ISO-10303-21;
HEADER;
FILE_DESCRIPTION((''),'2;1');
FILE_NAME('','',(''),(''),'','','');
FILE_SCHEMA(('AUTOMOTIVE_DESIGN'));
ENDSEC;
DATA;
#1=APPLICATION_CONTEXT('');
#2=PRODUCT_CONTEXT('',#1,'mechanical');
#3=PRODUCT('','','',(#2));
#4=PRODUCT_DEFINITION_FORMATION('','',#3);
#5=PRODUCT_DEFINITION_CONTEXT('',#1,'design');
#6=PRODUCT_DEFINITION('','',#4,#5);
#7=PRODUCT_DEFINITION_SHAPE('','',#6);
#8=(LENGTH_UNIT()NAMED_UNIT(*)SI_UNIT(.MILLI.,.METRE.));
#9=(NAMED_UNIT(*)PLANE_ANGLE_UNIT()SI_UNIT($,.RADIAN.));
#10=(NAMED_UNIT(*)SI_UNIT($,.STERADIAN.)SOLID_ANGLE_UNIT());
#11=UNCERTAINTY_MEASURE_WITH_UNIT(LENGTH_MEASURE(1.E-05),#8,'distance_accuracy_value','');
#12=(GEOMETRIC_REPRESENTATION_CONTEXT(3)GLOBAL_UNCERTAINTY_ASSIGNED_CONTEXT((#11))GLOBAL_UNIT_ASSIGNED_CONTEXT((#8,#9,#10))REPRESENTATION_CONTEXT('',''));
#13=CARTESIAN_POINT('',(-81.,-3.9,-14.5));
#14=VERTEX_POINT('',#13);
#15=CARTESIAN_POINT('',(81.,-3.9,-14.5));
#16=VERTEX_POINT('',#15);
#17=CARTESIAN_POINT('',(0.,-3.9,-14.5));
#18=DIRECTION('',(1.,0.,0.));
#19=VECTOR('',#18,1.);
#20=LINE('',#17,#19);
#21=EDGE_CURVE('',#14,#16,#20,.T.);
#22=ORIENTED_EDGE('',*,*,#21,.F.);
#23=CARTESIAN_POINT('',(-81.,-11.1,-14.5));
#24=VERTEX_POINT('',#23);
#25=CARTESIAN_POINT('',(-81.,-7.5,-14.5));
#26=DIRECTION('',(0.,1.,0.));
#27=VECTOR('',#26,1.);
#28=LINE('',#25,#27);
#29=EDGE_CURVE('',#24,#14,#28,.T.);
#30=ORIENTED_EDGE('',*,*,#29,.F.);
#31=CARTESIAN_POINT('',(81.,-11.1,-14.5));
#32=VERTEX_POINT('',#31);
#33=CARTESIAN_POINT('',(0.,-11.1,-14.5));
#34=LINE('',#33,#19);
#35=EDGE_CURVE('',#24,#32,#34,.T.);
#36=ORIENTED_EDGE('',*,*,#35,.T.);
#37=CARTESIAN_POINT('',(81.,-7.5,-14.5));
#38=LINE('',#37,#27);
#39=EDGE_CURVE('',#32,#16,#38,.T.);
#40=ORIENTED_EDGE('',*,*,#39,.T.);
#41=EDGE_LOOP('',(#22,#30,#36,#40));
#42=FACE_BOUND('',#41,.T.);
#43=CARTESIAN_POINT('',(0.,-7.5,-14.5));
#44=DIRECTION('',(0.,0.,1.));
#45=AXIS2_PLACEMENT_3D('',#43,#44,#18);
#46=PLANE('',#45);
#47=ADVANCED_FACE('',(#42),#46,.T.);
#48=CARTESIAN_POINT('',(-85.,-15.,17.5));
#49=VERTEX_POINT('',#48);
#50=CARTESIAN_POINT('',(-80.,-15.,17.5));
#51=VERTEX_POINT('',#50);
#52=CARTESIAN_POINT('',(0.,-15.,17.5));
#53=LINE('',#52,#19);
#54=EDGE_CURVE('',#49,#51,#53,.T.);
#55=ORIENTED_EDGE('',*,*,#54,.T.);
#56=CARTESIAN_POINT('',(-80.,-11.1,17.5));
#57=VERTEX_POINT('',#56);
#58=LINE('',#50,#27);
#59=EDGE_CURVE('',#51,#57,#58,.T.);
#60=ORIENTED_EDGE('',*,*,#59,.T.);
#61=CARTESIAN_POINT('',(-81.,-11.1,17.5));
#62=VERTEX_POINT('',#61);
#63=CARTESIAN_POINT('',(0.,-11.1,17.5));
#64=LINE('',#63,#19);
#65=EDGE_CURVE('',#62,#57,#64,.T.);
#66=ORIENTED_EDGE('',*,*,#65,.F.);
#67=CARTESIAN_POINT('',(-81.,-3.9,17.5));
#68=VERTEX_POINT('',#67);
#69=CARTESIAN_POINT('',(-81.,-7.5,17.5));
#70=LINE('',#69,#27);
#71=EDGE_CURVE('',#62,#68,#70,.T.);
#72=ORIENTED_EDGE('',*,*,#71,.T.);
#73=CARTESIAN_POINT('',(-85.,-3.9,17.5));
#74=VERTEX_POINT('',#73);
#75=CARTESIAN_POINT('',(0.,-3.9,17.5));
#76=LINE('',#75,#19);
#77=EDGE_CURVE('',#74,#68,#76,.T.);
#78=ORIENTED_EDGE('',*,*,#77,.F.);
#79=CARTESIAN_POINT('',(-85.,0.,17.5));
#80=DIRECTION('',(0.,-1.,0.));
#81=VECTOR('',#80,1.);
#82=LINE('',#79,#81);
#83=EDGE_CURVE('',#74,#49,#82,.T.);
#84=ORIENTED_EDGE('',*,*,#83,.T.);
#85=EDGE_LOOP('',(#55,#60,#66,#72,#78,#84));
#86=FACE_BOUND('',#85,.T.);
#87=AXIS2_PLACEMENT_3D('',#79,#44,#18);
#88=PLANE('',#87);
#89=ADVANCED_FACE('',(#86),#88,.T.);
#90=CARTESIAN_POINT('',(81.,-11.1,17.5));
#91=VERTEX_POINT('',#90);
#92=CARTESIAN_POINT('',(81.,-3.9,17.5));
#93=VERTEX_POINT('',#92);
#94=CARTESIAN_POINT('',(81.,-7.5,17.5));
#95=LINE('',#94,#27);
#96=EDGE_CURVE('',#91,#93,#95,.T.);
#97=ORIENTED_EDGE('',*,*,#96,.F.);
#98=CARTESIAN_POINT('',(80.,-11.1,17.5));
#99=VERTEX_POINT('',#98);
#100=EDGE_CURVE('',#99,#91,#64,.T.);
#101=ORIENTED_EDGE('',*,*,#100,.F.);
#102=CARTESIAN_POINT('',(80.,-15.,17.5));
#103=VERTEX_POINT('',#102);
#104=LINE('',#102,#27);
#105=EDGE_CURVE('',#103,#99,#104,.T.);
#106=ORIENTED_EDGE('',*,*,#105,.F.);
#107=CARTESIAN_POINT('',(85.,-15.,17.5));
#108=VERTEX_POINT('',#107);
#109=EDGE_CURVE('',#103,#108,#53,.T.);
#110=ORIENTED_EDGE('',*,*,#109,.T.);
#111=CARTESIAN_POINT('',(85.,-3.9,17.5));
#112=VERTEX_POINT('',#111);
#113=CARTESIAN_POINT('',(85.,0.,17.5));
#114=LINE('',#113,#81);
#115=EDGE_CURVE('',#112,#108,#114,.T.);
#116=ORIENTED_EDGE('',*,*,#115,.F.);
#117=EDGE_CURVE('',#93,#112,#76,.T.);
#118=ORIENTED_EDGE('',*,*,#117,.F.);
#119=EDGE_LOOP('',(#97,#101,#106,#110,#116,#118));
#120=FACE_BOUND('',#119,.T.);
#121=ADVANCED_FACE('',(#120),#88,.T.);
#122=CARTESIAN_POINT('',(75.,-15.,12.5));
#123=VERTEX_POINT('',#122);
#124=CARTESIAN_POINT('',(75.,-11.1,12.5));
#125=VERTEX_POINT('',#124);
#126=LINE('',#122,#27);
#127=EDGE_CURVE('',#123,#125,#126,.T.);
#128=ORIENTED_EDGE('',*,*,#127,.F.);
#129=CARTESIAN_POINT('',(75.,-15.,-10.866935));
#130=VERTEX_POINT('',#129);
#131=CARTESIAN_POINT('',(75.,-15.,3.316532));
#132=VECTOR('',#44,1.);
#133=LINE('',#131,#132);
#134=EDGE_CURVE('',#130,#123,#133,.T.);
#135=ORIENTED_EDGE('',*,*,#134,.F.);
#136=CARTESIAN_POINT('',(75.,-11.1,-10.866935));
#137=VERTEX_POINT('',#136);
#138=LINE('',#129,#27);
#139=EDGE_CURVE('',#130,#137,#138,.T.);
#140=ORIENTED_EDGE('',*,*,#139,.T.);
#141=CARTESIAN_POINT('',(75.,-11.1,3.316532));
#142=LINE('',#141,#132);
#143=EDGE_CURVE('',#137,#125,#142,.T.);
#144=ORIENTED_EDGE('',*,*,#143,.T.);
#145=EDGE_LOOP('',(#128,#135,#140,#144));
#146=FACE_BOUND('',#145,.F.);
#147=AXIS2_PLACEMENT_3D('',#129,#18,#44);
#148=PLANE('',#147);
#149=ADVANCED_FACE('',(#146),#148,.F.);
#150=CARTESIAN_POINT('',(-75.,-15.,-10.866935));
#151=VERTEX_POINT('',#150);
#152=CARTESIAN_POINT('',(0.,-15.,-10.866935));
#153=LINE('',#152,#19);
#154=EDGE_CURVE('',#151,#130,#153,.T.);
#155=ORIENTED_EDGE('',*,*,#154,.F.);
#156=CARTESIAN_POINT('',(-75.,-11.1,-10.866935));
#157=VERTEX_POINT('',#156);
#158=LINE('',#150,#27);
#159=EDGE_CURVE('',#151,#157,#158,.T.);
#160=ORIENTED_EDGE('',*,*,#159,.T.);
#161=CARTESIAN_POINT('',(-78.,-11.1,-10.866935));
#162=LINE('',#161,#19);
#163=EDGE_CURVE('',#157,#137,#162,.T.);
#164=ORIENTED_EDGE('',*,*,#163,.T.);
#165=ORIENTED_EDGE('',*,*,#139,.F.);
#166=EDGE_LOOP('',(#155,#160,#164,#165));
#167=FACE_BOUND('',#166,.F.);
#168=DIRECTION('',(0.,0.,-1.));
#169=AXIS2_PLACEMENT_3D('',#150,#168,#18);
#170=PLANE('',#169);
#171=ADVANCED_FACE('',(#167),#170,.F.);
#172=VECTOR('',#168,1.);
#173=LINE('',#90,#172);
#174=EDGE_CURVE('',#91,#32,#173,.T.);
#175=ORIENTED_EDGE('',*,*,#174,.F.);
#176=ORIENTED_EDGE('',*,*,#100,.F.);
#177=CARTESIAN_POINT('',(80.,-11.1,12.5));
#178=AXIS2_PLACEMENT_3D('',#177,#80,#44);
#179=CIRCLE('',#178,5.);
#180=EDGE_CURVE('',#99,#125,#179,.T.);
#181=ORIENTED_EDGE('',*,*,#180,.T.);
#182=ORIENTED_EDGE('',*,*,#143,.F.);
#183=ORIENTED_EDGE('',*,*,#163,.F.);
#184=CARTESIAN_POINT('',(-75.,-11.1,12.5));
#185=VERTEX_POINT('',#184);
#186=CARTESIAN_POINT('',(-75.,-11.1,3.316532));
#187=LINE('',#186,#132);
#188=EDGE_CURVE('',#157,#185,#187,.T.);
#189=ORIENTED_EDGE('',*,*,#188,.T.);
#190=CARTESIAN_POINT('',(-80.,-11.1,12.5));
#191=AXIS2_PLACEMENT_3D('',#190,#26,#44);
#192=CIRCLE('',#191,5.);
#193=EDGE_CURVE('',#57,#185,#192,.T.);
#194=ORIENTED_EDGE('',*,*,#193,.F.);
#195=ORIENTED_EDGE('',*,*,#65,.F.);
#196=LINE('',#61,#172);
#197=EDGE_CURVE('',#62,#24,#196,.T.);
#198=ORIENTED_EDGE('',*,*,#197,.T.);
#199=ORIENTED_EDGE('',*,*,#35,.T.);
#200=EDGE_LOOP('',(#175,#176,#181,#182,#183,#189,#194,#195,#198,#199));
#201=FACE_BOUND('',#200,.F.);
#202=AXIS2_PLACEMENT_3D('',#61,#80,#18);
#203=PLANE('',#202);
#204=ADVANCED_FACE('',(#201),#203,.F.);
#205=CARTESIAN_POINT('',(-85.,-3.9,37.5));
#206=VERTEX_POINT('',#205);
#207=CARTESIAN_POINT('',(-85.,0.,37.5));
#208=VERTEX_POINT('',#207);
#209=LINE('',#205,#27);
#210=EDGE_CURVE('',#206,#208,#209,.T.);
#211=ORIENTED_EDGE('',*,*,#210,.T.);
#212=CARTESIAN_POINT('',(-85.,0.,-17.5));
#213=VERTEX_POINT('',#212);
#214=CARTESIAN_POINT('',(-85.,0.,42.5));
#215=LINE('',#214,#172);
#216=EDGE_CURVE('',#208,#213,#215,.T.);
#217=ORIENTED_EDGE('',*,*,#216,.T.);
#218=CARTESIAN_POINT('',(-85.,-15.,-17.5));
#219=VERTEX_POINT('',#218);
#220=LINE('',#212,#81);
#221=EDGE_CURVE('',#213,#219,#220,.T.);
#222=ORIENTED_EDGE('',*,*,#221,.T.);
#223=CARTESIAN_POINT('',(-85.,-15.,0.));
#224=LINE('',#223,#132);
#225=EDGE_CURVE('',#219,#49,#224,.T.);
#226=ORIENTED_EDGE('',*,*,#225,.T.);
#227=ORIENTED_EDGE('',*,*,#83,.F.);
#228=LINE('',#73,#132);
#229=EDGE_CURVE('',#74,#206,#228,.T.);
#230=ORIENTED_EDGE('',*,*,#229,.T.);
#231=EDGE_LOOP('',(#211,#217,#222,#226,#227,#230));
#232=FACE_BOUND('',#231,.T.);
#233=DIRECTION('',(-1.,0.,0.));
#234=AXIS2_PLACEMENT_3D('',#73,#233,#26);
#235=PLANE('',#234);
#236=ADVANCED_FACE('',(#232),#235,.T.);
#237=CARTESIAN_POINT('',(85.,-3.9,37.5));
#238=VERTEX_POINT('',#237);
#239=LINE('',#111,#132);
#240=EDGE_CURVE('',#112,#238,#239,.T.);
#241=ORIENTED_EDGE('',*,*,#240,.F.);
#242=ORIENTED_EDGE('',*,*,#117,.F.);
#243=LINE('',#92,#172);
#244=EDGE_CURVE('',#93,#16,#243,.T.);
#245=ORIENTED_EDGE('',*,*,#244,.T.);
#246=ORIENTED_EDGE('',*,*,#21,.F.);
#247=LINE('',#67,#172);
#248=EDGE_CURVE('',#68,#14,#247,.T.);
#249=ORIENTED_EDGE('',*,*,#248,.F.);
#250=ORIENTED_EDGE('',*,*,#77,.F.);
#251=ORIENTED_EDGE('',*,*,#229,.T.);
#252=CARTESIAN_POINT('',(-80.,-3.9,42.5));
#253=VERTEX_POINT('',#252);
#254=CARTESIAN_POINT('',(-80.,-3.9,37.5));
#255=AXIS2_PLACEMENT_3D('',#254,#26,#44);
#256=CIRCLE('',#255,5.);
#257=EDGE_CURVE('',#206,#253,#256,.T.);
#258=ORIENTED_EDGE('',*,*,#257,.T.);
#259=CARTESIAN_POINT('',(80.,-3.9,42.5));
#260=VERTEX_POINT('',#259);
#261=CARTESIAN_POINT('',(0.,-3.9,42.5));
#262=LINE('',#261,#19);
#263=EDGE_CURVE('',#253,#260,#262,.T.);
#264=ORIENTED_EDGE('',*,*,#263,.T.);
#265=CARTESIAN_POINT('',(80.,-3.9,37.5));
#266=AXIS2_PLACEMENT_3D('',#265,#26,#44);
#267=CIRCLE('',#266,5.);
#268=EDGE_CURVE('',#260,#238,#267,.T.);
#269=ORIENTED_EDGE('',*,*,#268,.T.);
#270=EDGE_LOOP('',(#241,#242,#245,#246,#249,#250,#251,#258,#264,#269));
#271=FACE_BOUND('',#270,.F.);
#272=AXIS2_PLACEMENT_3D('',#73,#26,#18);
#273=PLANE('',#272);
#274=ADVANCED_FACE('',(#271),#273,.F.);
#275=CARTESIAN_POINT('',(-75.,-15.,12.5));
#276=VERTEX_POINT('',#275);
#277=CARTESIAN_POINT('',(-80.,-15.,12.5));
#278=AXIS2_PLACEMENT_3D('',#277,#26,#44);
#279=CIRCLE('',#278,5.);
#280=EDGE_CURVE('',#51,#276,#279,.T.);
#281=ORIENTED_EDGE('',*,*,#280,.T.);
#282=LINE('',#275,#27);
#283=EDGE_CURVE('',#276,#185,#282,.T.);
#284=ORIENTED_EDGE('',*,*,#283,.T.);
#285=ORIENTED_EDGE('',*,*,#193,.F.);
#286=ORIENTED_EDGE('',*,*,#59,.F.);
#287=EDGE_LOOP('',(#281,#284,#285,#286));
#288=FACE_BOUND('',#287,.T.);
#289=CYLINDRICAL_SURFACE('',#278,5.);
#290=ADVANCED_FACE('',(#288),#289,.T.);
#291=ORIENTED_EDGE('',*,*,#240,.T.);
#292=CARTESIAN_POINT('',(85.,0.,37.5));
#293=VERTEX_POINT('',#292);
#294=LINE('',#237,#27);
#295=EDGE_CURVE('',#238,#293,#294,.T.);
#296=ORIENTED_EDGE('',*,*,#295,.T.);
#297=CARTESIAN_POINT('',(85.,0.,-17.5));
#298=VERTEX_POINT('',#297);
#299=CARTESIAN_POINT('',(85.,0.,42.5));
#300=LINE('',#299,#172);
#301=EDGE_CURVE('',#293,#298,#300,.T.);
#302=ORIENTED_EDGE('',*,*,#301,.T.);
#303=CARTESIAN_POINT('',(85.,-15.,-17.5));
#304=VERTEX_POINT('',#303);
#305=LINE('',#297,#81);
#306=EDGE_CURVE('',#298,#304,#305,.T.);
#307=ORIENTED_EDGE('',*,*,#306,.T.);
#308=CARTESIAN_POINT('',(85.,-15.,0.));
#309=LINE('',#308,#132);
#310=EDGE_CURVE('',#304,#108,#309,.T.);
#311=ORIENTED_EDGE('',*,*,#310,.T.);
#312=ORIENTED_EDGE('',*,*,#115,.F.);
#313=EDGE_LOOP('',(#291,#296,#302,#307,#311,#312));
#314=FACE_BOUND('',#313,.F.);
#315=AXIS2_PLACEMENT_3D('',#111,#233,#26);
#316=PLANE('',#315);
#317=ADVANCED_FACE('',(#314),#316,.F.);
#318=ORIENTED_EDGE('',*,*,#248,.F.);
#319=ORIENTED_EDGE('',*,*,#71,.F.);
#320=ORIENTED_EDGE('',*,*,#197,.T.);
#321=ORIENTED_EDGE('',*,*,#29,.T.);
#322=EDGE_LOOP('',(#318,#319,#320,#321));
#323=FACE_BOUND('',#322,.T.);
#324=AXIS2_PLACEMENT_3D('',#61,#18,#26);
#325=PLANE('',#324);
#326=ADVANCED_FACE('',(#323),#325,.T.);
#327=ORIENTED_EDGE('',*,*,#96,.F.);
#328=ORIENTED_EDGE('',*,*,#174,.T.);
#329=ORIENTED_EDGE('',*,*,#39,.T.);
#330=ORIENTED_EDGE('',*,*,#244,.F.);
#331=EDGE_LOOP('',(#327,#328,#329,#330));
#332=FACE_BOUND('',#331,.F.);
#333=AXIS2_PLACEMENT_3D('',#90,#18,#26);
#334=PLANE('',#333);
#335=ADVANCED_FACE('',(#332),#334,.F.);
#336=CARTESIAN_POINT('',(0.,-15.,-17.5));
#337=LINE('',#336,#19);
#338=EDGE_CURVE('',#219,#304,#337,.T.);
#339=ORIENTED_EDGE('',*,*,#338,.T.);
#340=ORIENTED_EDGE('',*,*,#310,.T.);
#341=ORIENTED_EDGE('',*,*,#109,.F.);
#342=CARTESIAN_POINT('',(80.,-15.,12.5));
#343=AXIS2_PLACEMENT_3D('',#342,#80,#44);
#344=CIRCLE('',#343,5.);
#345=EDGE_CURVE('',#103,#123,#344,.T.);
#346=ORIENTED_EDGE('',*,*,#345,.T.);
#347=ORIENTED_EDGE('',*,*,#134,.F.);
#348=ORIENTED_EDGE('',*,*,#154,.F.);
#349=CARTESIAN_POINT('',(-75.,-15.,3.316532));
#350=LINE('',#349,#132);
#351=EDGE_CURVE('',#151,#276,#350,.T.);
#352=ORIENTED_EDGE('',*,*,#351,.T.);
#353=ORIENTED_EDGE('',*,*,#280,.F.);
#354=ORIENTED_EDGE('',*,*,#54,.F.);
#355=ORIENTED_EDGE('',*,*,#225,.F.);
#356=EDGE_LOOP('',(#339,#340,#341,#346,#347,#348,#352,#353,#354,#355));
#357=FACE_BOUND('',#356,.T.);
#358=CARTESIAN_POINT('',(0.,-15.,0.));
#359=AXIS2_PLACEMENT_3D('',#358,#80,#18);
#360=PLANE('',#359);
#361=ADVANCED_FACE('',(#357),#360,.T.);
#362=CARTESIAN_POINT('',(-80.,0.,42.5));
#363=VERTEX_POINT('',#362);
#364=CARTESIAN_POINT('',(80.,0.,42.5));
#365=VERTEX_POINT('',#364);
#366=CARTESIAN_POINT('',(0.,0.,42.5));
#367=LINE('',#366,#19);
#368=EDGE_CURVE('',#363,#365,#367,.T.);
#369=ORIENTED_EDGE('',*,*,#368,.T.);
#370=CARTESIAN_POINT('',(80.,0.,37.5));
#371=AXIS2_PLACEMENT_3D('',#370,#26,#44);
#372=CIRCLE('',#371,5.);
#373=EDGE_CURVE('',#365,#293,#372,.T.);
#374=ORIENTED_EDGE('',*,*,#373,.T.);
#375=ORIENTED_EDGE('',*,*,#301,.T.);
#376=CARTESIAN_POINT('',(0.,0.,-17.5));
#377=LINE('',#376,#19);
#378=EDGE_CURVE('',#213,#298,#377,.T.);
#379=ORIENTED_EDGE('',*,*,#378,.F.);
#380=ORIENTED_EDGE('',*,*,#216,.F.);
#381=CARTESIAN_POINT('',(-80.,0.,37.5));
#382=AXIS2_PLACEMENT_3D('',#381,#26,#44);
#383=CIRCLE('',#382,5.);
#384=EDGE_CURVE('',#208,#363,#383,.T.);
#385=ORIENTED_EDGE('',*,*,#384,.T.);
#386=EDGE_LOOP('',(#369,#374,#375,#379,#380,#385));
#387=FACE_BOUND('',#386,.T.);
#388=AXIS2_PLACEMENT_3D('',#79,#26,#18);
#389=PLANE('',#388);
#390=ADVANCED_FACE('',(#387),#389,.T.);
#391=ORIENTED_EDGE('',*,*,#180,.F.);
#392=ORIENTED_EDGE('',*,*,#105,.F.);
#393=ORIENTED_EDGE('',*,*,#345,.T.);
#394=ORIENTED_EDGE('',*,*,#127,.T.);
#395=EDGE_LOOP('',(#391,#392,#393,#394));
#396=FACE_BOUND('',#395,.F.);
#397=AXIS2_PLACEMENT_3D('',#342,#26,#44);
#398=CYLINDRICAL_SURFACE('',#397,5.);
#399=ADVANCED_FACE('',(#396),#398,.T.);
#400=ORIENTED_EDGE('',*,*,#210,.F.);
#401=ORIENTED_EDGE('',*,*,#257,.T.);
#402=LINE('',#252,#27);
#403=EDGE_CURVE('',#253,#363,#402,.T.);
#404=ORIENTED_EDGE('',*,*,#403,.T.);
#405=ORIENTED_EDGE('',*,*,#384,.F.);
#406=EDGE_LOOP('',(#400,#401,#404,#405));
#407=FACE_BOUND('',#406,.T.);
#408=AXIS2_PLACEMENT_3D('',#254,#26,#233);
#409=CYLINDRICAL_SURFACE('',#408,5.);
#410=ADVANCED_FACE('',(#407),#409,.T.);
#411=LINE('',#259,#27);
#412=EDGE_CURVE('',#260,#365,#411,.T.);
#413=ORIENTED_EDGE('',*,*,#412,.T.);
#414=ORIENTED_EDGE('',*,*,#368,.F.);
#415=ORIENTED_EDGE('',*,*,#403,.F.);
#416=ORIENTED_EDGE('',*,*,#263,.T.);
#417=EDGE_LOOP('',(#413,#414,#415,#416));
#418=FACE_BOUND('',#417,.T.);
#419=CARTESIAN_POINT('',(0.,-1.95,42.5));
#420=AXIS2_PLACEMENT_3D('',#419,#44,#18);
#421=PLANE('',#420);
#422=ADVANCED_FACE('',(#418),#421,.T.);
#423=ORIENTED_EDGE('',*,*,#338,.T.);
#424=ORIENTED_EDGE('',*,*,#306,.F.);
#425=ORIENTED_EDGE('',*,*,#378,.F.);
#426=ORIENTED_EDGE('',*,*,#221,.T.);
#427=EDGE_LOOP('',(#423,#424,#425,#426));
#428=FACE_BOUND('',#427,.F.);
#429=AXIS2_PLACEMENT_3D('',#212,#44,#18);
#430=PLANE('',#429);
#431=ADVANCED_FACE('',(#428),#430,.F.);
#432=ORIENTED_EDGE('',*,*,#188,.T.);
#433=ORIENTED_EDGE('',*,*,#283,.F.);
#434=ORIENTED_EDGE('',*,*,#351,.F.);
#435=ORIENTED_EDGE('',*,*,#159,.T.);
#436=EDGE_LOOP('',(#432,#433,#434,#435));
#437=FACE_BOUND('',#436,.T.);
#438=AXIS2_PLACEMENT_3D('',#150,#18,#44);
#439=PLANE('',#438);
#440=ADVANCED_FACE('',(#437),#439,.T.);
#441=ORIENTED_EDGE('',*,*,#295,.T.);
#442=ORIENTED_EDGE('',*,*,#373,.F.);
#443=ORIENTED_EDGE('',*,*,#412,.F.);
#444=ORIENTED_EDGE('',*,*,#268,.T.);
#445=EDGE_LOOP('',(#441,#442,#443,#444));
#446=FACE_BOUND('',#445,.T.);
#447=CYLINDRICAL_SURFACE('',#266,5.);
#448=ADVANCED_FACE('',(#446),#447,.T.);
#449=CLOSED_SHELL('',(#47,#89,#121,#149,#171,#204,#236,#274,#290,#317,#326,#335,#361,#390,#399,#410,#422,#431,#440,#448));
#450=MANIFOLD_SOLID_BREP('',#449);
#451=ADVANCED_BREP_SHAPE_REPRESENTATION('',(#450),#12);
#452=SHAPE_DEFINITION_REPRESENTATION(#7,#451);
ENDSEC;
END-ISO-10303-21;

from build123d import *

# Parameters (mm, degrees)
F0_W     = 170
F0_H     = 35
F1_DEPTH = 15
F2_W     = 162
F2_H     = 7.2
F3_DEPTH = 32
F4_W     = 170
F4_H     = 3.9
F5_DEPTH = 25
F6_W     = 150
F6_H     = 28.3669353649
F7_DEPTH = 6.3
F8_R     = 5


with BuildPart() as f1:
    # F0 (on Front) → F1 (new body)
    with BuildSketch(Plane.XZ):
        Rectangle(F0_W, F0_H)
    extrude(amount=F1_DEPTH)

    # F2 (on face) → F3 (cut)
    with BuildSketch(Plane.XY.offset(17.5)):
        with Locations((0, -7.5)):
            Rectangle(F2_W, F2_H)
    extrude(amount=-F3_DEPTH, mode=Mode.SUBTRACT)

    # F4 (on face) → F5 (join)
    with BuildSketch(Plane.XY.offset(17.5)):
        with Locations((0, -1.95)):
            Rectangle(F4_W, F4_H)
    extrude(amount=F5_DEPTH)

    # F6 (on face) → F7 (cut)
    with BuildSketch(Plane.XZ.offset(15)):
        with Locations((0, 3.3165323175)):
            Rectangle(F6_W, F6_H)
    extrude(amount=-F7_DEPTH, mode=Mode.SUBTRACT)

    # F8
    f8_edges = [f1.edges().sort_by_distance(p)[0] for p in [
        (-85, -1.95, 42.5),
        (85, -1.95, 42.5),
        (75, -13.05, 17.5),
        (-75, -13.05, 17.5),
    ]]
    fillet(f8_edges, radius=F8_R)


solid = f1.part
